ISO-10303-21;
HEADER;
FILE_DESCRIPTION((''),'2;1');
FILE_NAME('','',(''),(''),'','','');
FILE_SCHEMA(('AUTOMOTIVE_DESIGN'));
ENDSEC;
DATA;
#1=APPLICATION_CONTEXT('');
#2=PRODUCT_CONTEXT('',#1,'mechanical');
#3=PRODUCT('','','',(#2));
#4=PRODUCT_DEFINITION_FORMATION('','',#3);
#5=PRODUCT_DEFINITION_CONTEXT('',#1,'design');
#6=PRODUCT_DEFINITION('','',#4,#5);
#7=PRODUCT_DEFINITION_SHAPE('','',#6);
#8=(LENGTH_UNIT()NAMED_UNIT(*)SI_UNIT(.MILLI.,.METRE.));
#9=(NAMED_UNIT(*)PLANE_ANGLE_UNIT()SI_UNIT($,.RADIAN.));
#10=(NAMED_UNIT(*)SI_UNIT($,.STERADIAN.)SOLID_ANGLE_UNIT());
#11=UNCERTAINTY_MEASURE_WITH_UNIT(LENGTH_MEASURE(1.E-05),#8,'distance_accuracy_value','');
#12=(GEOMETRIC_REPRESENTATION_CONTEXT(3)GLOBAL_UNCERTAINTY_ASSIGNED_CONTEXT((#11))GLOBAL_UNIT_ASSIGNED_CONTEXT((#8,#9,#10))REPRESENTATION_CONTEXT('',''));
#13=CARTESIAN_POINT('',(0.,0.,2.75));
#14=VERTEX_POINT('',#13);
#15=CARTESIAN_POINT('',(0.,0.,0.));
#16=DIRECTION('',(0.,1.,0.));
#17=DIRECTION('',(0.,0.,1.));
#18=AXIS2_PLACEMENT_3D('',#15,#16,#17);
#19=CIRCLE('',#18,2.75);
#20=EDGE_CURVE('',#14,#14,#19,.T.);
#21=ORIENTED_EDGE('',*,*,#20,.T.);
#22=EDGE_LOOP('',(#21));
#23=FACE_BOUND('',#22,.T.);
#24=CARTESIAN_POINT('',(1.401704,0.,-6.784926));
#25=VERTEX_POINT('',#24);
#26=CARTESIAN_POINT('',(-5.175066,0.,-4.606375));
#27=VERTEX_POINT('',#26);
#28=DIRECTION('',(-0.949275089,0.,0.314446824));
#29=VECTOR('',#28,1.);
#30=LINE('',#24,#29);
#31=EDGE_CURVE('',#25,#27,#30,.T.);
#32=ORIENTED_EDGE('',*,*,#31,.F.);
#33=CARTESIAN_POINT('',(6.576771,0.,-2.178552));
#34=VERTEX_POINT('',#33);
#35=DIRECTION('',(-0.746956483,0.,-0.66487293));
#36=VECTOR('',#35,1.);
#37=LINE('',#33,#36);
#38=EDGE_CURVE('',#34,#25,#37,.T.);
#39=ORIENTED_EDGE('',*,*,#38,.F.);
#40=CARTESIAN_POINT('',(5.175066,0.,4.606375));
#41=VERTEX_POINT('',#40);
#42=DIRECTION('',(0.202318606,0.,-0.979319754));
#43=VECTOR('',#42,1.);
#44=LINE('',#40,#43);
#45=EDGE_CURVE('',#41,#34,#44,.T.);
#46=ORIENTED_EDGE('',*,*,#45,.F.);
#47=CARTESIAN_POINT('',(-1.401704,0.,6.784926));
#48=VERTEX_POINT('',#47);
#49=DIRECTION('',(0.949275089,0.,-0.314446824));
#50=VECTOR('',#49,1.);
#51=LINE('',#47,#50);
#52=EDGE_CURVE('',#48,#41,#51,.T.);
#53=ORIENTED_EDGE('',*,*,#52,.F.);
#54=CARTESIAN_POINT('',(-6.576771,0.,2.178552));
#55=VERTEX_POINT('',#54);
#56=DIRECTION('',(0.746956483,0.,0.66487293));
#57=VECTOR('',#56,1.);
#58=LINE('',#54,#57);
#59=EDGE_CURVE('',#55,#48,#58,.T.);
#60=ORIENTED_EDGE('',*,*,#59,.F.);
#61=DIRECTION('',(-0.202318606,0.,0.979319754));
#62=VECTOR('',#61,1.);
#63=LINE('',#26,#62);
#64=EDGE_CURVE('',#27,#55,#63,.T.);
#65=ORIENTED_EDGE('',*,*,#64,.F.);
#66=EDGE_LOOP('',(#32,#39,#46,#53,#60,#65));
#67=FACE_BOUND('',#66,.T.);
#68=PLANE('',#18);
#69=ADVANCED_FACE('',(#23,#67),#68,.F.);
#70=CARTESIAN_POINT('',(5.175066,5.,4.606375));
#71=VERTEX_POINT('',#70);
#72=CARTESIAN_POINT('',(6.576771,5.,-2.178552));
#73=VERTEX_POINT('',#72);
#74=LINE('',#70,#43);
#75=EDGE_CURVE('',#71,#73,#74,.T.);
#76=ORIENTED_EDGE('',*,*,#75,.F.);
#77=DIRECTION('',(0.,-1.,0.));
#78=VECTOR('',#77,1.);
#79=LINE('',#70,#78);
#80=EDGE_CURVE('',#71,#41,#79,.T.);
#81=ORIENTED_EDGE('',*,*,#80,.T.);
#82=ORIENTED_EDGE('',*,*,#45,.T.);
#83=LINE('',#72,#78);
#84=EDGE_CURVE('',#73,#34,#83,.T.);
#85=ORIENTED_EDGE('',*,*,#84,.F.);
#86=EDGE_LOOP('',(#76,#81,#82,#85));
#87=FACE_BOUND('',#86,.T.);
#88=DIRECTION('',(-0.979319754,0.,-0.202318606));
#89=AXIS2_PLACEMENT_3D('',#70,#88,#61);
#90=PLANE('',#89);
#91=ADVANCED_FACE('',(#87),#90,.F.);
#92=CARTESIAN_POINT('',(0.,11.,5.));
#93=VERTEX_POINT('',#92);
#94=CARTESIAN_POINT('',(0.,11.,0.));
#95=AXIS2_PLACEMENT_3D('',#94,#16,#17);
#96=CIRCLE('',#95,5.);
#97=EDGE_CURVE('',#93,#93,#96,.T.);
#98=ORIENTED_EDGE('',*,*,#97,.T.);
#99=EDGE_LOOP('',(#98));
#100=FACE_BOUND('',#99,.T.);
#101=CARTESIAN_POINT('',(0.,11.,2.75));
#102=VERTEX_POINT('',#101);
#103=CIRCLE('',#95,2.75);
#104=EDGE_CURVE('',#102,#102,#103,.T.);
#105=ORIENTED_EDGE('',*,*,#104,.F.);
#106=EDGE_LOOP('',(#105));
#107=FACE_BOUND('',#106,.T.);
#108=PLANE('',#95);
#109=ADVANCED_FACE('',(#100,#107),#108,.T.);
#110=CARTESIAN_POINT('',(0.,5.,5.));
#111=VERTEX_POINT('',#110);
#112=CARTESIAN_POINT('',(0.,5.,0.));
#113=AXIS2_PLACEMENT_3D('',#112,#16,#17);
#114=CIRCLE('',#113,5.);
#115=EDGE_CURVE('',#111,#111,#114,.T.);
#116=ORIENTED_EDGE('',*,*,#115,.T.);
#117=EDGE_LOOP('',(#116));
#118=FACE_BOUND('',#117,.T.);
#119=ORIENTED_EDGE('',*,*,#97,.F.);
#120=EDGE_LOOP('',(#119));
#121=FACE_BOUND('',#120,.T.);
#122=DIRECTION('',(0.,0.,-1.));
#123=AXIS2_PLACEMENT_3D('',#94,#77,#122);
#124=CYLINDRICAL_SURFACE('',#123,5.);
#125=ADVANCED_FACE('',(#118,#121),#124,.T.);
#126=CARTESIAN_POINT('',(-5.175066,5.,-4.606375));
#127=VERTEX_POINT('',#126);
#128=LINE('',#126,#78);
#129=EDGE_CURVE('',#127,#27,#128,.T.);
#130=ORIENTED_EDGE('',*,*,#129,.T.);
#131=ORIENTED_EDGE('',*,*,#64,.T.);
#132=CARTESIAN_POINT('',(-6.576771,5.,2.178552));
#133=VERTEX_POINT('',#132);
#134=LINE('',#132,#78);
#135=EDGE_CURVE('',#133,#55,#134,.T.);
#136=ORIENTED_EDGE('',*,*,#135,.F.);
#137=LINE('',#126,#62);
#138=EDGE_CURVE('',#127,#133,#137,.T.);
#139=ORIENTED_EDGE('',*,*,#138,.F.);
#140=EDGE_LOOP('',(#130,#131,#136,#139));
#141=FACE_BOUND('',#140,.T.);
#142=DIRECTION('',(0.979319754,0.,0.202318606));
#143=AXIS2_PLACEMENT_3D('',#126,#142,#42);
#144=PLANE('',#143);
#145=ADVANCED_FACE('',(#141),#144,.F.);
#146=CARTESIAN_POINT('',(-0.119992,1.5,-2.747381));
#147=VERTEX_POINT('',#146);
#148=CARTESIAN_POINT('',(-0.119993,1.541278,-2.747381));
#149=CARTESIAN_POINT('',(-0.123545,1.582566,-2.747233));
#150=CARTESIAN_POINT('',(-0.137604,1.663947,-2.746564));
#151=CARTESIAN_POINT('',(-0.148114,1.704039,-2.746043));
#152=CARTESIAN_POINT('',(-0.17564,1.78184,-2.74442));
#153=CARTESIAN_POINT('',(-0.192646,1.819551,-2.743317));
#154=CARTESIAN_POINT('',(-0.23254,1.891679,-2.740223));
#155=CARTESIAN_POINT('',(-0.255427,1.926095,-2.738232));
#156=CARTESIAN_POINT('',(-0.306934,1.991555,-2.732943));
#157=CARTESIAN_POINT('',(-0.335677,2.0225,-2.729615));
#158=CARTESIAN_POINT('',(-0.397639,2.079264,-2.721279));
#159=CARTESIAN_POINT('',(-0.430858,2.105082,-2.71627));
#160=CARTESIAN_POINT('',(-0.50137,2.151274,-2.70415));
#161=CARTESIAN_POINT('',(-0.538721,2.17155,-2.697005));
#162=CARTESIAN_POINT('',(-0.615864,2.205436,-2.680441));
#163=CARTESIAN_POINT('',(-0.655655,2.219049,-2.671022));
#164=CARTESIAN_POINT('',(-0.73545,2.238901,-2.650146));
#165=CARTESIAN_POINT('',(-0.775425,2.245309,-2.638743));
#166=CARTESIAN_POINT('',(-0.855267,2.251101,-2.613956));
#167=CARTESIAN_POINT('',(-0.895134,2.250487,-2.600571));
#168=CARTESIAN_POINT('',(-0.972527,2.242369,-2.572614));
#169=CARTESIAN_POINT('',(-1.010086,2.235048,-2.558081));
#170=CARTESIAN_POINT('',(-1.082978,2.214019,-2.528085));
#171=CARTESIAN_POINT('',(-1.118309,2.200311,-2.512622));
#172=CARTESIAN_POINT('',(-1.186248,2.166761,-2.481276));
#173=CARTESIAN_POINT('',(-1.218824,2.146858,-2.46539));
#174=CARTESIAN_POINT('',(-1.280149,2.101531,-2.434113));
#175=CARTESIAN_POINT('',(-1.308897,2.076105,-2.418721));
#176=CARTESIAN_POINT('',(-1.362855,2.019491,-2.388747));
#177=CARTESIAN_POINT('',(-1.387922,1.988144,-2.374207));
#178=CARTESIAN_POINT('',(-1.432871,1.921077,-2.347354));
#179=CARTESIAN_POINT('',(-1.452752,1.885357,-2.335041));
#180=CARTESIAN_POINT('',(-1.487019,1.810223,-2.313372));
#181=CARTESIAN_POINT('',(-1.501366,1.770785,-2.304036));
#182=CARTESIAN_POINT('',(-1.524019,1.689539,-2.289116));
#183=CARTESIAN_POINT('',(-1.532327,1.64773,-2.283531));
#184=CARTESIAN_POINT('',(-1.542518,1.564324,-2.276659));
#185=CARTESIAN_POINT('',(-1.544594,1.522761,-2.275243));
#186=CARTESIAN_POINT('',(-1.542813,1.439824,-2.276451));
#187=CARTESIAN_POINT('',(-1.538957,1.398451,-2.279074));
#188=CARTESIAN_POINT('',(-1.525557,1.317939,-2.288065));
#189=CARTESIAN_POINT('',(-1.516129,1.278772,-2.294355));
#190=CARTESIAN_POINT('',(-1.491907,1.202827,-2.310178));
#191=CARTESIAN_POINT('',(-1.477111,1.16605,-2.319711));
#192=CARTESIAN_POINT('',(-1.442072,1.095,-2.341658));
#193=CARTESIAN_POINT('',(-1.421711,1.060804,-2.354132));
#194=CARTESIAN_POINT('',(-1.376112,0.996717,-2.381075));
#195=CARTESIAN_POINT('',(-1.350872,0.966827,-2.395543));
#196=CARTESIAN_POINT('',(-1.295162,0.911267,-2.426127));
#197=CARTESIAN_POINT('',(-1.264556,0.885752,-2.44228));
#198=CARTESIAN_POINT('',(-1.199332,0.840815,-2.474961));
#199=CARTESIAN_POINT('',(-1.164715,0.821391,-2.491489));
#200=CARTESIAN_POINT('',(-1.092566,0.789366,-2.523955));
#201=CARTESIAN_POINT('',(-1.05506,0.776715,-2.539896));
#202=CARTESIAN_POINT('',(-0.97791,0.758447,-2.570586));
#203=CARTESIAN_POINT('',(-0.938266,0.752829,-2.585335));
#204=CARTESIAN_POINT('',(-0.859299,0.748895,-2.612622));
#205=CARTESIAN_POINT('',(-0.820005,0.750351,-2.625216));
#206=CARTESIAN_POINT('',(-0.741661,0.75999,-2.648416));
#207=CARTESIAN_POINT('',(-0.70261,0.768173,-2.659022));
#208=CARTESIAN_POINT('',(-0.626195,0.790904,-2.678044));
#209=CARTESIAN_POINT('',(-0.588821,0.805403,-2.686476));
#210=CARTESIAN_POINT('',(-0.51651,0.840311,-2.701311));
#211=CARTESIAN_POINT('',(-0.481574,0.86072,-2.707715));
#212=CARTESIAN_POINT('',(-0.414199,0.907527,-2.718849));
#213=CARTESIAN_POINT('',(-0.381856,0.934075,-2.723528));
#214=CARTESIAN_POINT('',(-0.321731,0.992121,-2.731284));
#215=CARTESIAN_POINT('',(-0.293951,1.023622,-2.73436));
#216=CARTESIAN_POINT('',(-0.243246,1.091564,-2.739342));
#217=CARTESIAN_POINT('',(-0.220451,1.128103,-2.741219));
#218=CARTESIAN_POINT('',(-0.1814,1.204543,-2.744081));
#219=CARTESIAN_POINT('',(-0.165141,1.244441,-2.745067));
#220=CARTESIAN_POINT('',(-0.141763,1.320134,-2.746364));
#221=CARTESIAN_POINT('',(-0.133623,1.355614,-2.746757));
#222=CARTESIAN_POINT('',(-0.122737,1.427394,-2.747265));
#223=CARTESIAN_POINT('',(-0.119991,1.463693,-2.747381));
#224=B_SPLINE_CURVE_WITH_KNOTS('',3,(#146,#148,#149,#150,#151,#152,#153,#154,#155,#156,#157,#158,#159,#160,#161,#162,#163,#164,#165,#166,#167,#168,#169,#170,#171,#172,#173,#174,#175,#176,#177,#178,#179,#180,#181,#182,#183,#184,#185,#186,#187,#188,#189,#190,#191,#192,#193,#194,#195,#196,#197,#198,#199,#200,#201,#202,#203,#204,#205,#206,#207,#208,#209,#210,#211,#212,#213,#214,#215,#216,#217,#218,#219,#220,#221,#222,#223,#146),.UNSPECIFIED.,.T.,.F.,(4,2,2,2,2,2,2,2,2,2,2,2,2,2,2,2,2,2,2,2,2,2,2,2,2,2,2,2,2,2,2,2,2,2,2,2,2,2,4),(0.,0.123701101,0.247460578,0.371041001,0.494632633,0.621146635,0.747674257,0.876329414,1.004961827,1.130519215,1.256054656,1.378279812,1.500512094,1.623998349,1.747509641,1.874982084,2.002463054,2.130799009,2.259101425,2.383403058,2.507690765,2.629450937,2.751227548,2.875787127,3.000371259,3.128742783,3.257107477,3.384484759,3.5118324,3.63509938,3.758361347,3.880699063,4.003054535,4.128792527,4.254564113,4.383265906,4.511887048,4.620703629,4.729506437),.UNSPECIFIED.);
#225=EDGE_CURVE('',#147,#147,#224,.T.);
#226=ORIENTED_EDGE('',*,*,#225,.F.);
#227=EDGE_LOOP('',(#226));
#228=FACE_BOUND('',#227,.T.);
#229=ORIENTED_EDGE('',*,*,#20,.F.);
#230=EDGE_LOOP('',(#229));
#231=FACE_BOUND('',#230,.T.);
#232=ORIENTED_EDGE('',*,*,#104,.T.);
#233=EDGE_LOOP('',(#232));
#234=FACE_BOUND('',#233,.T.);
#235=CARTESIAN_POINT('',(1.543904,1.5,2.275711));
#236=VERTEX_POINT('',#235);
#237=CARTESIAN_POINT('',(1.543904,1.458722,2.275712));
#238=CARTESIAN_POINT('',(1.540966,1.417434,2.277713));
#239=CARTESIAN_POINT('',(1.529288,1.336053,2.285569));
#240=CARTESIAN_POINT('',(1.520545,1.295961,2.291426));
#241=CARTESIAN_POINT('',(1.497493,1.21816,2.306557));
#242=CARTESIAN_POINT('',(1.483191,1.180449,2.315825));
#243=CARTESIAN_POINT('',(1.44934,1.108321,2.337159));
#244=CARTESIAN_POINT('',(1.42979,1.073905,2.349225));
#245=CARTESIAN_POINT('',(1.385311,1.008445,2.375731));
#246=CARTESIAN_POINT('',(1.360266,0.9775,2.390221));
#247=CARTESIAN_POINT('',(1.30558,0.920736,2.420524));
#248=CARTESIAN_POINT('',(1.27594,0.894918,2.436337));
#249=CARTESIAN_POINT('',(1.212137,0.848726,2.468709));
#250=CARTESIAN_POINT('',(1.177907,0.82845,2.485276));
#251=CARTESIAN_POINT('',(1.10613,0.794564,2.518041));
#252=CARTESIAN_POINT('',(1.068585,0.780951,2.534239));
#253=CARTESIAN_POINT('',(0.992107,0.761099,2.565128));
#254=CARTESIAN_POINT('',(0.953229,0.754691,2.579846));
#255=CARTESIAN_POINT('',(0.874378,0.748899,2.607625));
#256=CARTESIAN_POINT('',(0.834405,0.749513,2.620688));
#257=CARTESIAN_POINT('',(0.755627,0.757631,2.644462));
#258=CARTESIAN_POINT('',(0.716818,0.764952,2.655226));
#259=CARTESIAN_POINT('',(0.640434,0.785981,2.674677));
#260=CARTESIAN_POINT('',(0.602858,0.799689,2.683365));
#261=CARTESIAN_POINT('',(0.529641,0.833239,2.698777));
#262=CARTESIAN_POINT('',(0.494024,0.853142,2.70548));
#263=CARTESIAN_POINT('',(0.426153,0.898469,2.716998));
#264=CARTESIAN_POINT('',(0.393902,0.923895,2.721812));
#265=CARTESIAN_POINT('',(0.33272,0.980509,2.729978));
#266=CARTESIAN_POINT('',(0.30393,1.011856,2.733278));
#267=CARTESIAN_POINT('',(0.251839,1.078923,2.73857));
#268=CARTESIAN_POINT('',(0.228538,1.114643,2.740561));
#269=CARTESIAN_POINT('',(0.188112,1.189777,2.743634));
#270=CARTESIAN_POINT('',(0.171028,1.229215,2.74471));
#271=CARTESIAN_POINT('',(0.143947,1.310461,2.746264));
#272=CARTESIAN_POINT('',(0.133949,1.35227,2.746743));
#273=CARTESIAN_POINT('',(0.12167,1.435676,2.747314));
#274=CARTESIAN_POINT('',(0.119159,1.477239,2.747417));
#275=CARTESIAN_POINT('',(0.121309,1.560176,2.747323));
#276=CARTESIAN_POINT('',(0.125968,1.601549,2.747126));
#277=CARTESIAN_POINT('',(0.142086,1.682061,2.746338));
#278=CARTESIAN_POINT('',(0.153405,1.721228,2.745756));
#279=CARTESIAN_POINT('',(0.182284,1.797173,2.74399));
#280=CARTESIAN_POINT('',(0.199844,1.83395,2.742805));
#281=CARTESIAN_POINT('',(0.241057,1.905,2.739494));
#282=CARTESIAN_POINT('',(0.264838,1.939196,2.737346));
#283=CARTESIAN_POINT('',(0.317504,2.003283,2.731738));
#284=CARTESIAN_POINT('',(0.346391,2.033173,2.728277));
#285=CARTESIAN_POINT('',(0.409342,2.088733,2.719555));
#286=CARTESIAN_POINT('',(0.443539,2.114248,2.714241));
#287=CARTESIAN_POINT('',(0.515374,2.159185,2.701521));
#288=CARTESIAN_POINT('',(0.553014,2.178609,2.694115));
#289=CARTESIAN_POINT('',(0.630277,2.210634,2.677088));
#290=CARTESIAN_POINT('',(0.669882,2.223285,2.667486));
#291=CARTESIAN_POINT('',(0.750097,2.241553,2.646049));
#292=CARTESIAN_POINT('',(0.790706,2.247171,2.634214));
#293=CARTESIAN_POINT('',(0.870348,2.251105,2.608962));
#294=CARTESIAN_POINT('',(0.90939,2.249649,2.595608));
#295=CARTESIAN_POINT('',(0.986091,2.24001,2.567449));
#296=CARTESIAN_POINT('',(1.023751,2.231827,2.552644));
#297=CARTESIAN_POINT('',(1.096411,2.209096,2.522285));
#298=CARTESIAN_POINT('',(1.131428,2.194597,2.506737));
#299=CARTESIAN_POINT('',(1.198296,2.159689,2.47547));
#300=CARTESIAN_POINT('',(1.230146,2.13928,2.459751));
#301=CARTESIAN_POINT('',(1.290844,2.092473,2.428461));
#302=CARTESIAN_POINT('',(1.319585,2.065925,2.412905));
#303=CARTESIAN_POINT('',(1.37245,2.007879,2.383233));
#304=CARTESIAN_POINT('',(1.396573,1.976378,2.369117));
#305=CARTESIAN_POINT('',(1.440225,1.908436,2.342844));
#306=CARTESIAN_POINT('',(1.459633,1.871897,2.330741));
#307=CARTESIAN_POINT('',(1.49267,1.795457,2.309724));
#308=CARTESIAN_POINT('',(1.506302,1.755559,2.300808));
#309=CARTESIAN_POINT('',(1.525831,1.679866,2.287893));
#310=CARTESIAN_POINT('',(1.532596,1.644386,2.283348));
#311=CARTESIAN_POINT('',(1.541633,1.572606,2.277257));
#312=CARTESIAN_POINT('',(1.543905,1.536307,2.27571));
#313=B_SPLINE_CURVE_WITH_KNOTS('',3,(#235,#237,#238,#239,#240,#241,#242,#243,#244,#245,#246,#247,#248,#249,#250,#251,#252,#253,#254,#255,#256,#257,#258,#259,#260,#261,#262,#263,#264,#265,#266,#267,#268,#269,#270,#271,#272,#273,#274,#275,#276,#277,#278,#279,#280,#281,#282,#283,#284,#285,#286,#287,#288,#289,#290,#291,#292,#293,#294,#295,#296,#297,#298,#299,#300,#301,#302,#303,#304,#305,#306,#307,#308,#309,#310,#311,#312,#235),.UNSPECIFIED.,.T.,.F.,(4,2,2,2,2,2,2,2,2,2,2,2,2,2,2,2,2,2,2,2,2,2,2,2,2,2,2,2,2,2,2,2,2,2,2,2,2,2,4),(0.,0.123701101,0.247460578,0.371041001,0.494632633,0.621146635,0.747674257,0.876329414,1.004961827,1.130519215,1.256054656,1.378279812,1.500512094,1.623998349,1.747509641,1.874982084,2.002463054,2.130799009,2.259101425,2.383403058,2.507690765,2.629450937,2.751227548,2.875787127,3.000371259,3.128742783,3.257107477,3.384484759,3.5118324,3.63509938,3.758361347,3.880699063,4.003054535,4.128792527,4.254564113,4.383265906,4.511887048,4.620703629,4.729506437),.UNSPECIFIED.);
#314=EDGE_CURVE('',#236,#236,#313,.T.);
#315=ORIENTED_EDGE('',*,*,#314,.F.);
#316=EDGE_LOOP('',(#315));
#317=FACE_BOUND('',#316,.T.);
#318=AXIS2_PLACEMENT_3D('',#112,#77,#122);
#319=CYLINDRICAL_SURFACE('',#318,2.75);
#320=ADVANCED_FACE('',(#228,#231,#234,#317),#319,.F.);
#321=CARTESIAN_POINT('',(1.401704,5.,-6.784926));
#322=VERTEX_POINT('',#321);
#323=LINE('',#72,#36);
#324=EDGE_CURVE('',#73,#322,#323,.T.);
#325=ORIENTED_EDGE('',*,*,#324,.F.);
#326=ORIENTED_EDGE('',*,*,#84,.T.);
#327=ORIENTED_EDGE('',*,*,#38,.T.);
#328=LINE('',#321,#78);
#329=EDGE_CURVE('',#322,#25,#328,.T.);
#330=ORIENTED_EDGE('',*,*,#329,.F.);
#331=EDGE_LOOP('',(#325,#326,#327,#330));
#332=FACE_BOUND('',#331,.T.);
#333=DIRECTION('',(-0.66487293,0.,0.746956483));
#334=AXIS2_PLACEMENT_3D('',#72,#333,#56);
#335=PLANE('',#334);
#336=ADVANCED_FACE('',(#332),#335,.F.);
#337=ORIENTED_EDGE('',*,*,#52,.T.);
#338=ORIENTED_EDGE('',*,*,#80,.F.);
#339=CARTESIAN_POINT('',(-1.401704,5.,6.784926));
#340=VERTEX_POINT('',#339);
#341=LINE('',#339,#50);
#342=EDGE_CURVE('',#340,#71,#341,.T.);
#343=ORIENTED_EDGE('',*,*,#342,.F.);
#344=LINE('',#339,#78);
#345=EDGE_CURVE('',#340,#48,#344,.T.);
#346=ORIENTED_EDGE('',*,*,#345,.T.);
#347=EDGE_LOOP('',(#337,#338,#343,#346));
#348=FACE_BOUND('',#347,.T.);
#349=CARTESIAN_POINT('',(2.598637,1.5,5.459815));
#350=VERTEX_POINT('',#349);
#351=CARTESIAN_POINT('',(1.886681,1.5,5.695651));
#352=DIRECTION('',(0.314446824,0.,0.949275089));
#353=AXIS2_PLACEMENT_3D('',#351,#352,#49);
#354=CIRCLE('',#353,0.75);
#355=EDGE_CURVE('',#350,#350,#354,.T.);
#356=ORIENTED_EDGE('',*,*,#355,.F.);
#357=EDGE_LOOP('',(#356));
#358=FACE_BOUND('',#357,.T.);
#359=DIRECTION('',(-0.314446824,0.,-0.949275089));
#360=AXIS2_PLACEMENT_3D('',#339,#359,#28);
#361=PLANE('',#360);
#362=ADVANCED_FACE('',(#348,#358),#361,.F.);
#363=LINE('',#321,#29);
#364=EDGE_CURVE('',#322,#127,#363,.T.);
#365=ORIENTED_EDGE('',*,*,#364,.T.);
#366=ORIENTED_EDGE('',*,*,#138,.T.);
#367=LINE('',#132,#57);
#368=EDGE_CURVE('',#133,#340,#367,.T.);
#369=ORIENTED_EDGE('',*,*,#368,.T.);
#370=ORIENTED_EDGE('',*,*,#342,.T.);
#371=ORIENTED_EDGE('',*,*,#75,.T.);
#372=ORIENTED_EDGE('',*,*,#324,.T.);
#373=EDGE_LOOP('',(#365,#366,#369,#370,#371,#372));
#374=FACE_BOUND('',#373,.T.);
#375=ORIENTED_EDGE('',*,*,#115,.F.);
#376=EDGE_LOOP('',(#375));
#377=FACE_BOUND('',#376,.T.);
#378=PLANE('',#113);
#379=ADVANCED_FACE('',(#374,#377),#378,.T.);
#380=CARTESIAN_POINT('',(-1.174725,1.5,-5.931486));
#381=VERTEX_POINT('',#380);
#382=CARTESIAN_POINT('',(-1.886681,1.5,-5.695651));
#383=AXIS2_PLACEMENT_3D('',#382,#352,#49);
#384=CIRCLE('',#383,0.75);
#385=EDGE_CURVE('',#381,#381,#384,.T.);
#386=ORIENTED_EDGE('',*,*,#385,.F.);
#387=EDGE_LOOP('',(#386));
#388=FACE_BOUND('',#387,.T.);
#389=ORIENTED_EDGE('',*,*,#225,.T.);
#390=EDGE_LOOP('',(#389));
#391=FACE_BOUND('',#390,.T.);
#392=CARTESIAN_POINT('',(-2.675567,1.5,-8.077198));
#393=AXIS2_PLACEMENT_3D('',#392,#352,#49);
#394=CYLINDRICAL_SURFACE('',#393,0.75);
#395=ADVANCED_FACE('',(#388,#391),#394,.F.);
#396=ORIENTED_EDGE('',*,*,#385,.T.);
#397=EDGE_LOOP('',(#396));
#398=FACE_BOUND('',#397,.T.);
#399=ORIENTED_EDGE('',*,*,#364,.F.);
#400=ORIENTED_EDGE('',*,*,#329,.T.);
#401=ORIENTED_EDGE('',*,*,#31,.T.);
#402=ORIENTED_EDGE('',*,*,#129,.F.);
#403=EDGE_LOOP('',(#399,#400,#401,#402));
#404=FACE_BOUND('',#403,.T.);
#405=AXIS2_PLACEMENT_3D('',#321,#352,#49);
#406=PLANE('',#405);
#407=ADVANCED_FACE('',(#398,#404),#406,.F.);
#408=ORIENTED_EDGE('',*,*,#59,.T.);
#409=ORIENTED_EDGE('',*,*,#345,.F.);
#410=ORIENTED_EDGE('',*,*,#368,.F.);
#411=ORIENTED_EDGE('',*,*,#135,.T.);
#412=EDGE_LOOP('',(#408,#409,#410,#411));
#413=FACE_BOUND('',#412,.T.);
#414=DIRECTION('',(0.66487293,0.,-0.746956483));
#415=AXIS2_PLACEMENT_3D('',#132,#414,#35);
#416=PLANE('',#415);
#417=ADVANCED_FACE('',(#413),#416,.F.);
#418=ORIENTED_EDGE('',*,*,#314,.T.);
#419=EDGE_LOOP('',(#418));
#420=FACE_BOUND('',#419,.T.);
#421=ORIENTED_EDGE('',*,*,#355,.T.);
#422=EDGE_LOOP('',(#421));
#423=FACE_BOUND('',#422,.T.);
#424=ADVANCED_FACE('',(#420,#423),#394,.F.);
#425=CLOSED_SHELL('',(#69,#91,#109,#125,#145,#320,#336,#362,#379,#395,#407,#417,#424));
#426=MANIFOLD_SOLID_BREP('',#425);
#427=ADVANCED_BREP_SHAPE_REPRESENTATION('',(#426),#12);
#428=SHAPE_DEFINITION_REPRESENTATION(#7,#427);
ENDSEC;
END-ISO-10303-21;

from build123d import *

# Parameters (mm, degrees)
CROQUIS1_R              = 2.75
SALIENTE_EXTRUIR1_DEPTH = 5
CROQUIS3_R              = 5
CROQUIS3_R_2            = 2.75
SALIENTE_EXTRUIR2_DEPTH = 6
CROQUIS2_R              = 0.75
CORTAR_EXTRUIR1_DEPTH   = 15.508806178


with BuildPart() as part:
    # Croquis1 → Saliente-Extruir1 (new body)
    with BuildSketch(Plane(origin=(0, 0, 0), x_dir=(1, 0, 0), z_dir=(0, 1, 0))):
        Polygon((1.401704423, 6.784926286), (-5.175066315, 4.606374782), (-6.576770738, -2.178551504), (-1.401704423, -6.784926286), (5.175066315, -4.606374782), (6.576770738, 2.178551504), align=None)
        Circle(CROQUIS1_R, mode=Mode.SUBTRACT)
    extrude(amount=SALIENTE_EXTRUIR1_DEPTH)

    # Croquis3 → Saliente-Extruir2 (add)
    with BuildSketch(Plane(origin=(0, 5, 0), x_dir=(1, 0, 0), z_dir=(0, 1, 0))):
        Circle(CROQUIS3_R)
        Circle(CROQUIS3_R_2, mode=Mode.SUBTRACT)
    extrude(amount=SALIENTE_EXTRUIR2_DEPTH)

    # Croquis2 → Cortar-Extruir1 (cut, through all)
    with BuildSketch(Plane(origin=(1.886680946, 0, 5.695650534), x_dir=(0.949275089, 0, -0.314446824), z_dir=(0.314446824, 0, 0.949275089))):
        with Locations((0, 1.5)):
            Circle(CROQUIS2_R)
    extrude(amount=-CORTAR_EXTRUIR1_DEPTH, mode=Mode.SUBTRACT)


solid = part.part
